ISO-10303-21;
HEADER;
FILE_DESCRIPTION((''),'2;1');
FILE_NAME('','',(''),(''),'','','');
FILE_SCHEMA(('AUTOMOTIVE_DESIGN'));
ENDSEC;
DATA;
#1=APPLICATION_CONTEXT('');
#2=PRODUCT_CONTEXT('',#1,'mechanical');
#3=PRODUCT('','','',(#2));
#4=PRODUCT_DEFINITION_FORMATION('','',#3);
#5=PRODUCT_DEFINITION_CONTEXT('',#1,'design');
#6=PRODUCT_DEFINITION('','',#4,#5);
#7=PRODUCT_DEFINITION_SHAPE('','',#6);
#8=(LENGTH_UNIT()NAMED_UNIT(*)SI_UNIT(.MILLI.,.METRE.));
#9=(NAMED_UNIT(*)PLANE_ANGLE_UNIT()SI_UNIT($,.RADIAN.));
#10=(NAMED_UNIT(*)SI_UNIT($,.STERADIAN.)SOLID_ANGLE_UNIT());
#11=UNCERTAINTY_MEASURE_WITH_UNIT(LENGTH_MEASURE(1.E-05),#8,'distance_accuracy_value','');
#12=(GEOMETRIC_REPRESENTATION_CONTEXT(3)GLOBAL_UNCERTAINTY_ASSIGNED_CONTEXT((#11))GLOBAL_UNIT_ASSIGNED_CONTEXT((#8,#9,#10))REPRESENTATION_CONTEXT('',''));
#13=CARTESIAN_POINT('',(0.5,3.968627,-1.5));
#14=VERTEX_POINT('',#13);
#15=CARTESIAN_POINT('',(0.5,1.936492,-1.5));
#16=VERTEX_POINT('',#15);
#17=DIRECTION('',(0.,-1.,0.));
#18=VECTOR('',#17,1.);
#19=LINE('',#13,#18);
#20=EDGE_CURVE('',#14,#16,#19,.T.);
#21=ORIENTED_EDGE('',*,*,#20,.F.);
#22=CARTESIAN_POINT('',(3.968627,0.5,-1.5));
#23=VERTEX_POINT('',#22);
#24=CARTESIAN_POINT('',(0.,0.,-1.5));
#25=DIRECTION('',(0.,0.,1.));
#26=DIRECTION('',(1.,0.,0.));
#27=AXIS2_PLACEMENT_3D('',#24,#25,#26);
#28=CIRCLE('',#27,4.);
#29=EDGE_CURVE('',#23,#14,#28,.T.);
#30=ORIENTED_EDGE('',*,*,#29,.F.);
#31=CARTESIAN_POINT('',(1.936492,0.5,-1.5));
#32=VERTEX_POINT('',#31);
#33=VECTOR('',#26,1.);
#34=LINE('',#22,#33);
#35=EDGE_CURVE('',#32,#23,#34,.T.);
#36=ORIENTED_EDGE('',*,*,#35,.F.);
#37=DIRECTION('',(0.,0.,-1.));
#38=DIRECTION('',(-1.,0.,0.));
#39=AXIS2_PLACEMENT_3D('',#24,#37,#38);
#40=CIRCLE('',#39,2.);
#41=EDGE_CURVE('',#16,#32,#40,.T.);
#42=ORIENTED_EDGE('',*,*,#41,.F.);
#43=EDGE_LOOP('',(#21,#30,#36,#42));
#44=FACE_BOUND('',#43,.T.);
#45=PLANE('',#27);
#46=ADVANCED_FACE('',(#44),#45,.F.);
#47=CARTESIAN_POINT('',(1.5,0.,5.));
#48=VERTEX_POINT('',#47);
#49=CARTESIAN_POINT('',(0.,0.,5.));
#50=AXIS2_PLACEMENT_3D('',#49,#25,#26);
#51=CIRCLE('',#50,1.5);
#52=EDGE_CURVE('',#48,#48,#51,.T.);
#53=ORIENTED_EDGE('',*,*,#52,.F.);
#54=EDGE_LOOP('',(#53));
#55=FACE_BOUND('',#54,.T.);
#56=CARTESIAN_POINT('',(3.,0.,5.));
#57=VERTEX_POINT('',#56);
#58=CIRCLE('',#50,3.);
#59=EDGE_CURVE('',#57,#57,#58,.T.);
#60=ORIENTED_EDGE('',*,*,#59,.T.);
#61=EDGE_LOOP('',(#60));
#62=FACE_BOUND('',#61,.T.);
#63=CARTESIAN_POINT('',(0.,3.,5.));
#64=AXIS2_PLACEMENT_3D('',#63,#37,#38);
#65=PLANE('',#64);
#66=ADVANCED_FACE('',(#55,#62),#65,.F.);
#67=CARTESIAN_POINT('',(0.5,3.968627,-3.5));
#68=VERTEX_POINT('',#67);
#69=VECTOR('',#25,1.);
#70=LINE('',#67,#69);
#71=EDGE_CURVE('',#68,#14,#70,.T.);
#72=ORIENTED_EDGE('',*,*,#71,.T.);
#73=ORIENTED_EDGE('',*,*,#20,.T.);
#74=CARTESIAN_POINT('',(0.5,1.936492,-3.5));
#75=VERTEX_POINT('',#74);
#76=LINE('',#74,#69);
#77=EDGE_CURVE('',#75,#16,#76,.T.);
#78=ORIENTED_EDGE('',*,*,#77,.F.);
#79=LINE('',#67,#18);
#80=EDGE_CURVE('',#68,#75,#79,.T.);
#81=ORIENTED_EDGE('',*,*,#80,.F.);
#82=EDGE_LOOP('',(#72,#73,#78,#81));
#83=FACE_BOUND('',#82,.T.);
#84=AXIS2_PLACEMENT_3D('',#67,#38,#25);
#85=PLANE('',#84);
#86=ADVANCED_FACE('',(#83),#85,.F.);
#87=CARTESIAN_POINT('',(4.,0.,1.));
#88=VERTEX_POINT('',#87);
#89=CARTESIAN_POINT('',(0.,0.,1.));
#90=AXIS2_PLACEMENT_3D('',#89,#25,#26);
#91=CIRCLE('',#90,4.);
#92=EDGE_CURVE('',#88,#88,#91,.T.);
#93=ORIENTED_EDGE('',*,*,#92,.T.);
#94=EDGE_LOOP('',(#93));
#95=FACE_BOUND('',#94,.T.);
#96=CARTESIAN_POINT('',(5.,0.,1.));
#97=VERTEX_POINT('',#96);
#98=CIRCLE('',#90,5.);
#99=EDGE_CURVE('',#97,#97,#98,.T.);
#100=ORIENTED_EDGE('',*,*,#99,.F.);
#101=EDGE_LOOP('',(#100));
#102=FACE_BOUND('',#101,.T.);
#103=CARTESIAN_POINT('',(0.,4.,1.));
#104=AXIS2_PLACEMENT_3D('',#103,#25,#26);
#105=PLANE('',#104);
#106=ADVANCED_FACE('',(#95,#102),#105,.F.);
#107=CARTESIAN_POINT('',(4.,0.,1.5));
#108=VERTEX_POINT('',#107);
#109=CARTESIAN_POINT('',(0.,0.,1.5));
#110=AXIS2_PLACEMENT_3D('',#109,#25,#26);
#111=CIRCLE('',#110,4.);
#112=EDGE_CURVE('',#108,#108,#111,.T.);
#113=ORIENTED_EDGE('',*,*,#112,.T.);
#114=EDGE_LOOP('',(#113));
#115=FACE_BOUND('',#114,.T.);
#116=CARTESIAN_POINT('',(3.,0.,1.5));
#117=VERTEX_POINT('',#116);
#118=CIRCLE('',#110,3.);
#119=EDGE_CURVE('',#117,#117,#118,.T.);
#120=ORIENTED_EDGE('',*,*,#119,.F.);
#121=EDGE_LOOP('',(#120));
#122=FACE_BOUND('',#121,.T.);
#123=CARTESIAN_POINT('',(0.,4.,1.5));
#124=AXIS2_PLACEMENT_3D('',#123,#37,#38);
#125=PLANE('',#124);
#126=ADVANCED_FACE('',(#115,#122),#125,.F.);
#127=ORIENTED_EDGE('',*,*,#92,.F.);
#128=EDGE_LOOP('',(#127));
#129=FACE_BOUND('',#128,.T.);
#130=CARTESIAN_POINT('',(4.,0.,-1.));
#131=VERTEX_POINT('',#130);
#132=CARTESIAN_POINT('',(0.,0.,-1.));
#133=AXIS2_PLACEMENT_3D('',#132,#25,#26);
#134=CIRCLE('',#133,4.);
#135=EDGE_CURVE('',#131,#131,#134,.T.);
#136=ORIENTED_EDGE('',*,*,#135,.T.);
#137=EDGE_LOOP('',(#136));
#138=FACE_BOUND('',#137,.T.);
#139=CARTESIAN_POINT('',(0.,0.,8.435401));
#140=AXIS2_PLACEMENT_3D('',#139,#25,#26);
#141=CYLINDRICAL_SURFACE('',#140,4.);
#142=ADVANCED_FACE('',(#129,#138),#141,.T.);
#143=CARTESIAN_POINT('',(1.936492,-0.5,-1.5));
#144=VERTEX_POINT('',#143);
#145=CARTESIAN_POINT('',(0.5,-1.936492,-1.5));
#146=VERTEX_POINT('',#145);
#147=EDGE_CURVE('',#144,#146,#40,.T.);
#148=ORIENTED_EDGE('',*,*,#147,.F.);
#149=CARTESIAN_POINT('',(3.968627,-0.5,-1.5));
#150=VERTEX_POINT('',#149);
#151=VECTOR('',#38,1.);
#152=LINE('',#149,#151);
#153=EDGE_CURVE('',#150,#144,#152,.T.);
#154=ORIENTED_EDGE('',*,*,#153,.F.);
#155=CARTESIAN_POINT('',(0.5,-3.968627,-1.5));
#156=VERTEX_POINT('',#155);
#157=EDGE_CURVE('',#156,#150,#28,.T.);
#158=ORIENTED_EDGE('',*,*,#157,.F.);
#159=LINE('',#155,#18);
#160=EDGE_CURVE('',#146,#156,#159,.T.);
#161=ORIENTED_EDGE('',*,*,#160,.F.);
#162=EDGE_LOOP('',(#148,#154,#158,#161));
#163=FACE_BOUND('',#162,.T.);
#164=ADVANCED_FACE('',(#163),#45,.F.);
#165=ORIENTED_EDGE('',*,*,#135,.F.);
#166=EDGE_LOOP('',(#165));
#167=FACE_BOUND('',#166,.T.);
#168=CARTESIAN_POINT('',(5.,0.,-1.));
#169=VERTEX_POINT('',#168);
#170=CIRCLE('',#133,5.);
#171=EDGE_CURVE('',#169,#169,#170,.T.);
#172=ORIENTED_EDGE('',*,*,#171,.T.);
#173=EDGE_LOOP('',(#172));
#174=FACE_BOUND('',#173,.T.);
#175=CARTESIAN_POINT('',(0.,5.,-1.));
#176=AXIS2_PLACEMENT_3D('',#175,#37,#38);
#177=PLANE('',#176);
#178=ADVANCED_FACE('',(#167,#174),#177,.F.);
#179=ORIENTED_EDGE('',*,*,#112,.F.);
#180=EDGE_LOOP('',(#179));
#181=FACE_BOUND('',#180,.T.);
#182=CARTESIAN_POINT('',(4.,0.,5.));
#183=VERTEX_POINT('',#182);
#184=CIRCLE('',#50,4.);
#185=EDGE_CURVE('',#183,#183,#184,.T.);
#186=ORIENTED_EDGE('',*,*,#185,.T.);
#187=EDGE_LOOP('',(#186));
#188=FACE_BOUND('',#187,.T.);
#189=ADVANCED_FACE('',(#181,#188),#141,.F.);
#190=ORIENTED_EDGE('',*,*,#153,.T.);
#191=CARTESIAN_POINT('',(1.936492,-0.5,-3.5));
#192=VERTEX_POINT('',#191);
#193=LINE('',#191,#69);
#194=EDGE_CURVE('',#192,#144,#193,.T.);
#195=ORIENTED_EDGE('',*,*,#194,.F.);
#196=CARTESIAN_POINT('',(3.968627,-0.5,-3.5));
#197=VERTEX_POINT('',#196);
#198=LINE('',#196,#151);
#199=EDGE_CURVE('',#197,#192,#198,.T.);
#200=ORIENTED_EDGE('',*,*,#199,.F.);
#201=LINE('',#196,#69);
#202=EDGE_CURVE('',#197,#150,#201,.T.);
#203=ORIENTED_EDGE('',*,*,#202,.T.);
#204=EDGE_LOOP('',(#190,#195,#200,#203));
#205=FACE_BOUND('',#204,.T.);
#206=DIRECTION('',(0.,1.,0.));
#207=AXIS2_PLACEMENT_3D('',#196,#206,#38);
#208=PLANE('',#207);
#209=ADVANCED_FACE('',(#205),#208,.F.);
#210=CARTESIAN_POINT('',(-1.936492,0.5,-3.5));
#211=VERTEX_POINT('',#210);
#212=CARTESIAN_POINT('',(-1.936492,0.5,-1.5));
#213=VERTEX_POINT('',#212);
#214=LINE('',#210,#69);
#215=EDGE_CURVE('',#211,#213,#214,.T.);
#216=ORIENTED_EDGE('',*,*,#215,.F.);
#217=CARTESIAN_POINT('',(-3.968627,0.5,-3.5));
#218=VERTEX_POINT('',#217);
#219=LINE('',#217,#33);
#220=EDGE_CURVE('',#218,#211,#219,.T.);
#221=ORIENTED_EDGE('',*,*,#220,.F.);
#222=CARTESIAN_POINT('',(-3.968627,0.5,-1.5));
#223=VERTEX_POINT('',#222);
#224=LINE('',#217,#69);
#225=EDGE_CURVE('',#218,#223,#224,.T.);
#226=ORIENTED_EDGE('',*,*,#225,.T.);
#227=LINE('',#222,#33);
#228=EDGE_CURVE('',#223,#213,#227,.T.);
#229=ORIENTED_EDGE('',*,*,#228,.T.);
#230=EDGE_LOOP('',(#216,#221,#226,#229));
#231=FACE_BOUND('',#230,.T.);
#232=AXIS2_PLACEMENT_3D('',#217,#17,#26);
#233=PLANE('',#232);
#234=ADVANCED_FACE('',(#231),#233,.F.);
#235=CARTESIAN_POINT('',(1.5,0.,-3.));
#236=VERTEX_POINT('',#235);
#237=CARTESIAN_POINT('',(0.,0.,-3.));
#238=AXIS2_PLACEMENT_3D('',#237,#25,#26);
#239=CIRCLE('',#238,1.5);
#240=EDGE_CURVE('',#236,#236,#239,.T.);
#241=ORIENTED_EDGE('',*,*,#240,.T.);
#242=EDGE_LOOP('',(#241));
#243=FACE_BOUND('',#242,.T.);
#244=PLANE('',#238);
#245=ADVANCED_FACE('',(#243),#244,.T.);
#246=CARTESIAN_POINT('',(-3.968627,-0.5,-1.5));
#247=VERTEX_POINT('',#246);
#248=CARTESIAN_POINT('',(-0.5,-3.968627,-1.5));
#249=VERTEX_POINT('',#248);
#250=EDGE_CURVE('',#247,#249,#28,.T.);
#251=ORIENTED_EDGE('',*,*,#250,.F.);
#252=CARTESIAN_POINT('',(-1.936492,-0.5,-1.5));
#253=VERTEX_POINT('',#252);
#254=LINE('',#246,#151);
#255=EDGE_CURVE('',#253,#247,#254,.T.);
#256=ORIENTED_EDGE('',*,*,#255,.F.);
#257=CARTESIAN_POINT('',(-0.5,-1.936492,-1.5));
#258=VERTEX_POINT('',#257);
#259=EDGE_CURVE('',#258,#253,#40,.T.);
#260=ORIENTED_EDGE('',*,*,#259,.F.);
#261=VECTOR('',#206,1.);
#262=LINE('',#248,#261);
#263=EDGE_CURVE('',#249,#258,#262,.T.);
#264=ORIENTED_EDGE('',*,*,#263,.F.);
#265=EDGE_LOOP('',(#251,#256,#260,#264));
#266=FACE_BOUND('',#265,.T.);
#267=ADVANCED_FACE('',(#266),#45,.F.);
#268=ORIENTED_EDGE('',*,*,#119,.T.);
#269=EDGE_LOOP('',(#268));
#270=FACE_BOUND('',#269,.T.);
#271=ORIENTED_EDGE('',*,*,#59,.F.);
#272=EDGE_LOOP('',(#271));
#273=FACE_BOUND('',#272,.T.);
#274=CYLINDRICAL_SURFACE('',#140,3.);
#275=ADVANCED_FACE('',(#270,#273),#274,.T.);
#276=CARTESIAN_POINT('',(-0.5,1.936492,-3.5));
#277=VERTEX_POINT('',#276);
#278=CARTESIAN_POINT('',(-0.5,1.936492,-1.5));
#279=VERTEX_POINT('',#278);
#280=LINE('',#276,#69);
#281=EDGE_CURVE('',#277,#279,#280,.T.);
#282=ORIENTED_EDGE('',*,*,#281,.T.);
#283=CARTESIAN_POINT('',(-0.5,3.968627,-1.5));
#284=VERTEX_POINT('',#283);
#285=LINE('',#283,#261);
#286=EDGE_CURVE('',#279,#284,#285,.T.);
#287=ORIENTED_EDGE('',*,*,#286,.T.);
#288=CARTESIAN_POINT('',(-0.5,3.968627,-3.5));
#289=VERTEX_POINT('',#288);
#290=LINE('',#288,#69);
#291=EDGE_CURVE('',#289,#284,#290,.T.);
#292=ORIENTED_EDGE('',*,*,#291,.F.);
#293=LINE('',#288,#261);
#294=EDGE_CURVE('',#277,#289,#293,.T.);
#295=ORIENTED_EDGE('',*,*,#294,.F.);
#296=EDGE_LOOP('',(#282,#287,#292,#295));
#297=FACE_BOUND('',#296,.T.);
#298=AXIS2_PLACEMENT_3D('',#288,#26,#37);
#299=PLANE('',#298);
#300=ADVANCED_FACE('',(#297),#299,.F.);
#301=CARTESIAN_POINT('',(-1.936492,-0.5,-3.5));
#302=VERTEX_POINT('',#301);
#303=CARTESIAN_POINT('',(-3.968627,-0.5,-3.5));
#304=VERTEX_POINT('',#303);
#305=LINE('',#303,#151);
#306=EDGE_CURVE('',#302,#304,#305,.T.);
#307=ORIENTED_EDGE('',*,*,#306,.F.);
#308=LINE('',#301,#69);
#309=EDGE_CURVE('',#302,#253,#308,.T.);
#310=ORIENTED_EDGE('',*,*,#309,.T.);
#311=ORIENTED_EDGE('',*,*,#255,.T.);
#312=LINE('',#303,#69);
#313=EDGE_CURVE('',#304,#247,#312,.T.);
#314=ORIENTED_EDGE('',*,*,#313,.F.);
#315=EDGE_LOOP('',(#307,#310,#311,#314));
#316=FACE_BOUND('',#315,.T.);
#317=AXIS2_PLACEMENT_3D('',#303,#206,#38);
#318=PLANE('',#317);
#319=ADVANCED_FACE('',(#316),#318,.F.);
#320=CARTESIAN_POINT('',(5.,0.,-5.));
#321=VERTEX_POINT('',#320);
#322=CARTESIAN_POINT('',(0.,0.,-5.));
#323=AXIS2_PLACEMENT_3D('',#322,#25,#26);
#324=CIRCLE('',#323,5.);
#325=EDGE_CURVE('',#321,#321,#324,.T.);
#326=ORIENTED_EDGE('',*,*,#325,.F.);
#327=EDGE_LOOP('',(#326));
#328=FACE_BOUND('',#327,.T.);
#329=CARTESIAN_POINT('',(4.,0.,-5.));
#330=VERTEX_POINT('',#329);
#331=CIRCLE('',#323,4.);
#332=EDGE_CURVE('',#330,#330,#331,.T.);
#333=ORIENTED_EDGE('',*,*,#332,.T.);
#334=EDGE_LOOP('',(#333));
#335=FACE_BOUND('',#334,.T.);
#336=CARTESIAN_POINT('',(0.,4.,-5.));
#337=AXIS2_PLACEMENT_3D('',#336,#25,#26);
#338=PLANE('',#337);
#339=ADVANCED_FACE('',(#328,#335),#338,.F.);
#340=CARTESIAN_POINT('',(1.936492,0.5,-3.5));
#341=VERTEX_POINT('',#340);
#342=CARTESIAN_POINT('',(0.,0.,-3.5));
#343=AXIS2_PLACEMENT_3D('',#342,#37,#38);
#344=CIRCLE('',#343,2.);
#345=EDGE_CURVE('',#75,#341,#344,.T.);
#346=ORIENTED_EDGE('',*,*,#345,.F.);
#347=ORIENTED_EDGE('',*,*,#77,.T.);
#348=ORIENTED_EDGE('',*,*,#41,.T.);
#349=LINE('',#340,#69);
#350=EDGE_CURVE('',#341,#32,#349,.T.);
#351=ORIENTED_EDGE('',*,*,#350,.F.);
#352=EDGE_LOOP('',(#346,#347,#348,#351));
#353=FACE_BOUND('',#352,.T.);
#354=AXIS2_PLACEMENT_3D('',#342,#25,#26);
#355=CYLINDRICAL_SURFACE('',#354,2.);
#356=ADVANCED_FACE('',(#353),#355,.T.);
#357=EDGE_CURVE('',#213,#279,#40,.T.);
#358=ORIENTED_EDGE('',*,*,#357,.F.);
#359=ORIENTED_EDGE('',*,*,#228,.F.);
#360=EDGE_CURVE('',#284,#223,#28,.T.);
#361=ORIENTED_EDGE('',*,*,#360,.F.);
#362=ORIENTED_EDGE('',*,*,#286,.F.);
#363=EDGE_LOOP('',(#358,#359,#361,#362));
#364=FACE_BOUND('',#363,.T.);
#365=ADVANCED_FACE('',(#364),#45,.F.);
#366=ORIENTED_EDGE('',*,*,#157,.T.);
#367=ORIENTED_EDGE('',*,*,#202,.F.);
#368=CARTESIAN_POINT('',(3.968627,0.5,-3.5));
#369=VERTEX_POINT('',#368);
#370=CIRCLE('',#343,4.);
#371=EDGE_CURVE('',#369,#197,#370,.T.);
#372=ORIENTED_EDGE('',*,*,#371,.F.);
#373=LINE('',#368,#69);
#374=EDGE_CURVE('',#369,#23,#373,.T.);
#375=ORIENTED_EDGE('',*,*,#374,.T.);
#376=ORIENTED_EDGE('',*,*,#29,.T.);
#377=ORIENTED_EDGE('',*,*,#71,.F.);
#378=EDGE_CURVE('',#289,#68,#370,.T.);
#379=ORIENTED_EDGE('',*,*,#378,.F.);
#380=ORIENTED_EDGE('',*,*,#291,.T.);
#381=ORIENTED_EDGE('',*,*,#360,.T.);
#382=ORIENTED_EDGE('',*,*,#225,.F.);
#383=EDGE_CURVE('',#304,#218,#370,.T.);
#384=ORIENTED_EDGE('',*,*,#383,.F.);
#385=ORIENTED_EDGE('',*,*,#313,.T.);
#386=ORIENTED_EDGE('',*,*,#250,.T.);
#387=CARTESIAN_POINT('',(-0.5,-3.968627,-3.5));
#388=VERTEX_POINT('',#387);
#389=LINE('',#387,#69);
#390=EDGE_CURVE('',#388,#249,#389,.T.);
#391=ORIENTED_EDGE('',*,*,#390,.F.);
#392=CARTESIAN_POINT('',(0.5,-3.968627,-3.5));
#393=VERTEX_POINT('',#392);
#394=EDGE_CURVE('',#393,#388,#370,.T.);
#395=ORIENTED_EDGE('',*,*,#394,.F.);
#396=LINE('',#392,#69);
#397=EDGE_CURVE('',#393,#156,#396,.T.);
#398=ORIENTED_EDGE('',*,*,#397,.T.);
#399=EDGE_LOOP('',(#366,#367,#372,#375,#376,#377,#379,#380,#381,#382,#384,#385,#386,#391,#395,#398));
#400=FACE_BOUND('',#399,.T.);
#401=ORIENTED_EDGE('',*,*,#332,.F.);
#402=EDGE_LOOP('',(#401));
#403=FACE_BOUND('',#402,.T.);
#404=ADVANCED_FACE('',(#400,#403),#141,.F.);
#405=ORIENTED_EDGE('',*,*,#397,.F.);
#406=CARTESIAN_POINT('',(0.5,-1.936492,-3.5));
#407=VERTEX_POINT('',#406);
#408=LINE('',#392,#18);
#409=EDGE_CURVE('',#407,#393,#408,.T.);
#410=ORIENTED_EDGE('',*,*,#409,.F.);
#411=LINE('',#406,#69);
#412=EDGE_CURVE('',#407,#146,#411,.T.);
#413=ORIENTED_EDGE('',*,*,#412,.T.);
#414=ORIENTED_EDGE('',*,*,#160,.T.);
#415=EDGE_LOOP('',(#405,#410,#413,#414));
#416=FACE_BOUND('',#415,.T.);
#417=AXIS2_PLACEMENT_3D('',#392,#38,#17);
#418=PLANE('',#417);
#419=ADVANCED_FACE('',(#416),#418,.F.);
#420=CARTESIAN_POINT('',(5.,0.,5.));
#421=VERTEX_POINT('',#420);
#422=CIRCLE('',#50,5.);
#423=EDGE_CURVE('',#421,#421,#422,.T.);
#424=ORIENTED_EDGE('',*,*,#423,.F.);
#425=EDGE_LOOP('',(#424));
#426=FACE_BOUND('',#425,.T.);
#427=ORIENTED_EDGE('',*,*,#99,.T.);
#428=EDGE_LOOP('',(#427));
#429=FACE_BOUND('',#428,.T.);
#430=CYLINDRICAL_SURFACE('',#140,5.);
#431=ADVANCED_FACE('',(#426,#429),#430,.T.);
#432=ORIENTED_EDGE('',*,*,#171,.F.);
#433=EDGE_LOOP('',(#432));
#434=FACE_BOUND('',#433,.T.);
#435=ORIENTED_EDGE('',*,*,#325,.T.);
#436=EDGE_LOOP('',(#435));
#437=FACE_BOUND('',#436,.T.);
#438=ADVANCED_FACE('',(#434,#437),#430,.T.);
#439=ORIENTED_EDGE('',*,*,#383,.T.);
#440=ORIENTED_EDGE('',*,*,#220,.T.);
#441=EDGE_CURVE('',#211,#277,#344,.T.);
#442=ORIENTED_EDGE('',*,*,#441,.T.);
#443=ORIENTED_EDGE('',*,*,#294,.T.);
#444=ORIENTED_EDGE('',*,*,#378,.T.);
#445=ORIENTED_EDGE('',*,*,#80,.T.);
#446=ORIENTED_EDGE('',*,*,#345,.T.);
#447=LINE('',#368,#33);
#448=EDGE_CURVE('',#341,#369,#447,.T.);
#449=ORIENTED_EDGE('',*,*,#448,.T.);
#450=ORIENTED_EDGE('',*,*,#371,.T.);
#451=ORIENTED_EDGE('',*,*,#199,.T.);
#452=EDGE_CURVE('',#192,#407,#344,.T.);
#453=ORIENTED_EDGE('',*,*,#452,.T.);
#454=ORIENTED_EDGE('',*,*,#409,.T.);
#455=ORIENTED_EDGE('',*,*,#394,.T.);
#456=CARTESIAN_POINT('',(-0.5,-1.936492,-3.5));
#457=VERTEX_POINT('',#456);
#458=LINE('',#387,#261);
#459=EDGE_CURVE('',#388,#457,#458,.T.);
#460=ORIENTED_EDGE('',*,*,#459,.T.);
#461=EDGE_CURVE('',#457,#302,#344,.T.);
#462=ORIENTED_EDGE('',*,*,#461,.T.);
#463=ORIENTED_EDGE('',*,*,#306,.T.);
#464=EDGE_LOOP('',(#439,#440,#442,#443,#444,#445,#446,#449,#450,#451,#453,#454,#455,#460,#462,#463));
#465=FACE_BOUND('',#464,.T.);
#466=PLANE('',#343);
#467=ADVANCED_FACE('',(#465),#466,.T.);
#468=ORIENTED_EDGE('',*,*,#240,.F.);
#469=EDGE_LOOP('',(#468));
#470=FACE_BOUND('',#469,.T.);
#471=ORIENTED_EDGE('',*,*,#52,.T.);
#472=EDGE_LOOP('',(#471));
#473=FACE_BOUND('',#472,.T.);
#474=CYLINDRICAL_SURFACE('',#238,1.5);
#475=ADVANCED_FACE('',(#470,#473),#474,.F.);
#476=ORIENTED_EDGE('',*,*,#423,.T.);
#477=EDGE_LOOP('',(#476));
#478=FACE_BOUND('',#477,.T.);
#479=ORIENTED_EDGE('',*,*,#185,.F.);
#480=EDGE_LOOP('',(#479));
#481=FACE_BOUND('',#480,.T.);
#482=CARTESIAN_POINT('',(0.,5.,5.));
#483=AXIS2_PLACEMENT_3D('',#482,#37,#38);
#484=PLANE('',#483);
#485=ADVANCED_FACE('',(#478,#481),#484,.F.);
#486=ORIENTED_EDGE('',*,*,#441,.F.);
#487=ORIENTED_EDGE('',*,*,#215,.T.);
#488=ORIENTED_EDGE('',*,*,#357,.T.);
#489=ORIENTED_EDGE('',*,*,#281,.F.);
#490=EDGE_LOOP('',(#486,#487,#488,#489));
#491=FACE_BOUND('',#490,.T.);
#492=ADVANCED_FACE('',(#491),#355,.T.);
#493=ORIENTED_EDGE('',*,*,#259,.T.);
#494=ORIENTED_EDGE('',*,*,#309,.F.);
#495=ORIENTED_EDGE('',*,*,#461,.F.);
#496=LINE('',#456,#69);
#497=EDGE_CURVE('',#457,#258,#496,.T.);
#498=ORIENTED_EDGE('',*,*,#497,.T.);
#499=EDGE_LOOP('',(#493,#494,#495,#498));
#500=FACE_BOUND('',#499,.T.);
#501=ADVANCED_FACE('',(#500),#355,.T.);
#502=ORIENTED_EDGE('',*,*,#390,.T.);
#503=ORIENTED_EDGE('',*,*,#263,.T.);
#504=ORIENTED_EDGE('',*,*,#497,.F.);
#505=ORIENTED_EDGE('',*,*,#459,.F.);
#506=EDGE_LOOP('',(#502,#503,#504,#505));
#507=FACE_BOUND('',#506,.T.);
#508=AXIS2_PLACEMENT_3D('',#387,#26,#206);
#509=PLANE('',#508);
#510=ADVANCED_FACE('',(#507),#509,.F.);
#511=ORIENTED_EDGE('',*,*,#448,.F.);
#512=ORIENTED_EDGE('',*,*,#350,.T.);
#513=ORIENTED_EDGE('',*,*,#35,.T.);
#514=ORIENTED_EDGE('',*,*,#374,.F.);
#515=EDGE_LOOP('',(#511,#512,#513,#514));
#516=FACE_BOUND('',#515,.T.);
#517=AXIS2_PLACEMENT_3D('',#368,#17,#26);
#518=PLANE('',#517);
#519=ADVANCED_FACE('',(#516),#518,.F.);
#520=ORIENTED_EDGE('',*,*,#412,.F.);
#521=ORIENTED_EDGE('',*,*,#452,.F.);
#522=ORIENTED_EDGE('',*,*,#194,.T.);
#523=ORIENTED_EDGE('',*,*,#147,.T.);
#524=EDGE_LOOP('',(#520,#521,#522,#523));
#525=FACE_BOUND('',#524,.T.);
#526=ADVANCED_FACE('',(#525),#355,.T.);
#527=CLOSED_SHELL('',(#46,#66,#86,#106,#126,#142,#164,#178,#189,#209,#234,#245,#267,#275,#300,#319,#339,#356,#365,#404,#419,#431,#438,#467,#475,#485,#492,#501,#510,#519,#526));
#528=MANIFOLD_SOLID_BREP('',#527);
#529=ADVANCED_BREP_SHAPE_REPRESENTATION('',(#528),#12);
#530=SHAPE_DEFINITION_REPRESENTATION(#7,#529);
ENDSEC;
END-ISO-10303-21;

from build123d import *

# Parameters (mm, degrees)
BOSS_EXTRUDE1_DEPTH = 2
SKETCH9_R           = 1.5
CUT_EXTRUDE2_DEPTH  = 8


with BuildPart() as part:
    # Sketch1 → Revolve1 (revolve)
    with BuildSketch(Plane(origin=(0, 0, 0), x_dir=(0, 0, -1), z_dir=(1, 0, 0))):
        Polygon((0, 0), (1.5, 0), (1.5, 4), (5, 4), (5, 5), (1, 5), (1, 4), (-1, 4), (-1, 5), (-5, 5), (-5, 4), (-1.5, 4), (-1.5, 3), (-5, 3), (-5, 0), align=None)
    revolve(axis=Axis((0, 0, 8.435401075), (0, 0, -1)))

    # Sketch8 → Boss-Extrude1 (add)
    with BuildSketch(Plane(origin=(0, 0, -1.5), x_dir=(-1, 0, 0), z_dir=(0, 0, -1))):
        with BuildLine():
            Line((-0.5, 3.968626967), (-0.5, 1.936491673))
            ThreePointArc((-0.5, 1.936491673), (-1.414213562, 1.414213562), (-1.936491673, 0.5))
            Line((-1.936491673, 0.5), (-3.968626967, 0.5))
            ThreePointArc((-3.968626967, 0.5), (-4, 0), (-3.968626967, -0.5))
            Line((-3.968626967, -0.5), (-1.936491673, -0.5))
            ThreePointArc((-1.936491673, -0.5), (-1.414213562, -1.414213562), (-0.5, -1.936491673))
            Line((-0.5, -1.936491673), (-0.5, -3.968626967))
            ThreePointArc((-0.5, -3.968626967), (0, -4), (0.5, -3.968626967))
            Line((0.5, -3.968626967), (0.5, -1.936491673))
            ThreePointArc((0.5, -1.936491673), (1.414213562, -1.414213562), (1.936491673, -0.5))
            Line((1.936491673, -0.5), (3.968626967, -0.5))
            ThreePointArc((3.968626967, -0.5), (4, 0), (3.968626967, 0.5))
            Line((3.968626967, 0.5), (1.936491673, 0.5))
            ThreePointArc((1.936491673, 0.5), (1.414213562, 1.414213562), (0.5, 1.936491673))
            Line((0.5, 1.936491673), (0.5, 3.968626967))
            ThreePointArc((0.5, 3.968626967), (0, 4), (-0.5, 3.968626967))
        make_face()
    extrude(amount=BOSS_EXTRUDE1_DEPTH)

    # Sketch9 → Cut-Extrude2 (cut)
    with BuildSketch(Plane.XY.offset(5)):
        Circle(SKETCH9_R)
    extrude(amount=-CUT_EXTRUDE2_DEPTH, mode=Mode.SUBTRACT)


solid = part.part
